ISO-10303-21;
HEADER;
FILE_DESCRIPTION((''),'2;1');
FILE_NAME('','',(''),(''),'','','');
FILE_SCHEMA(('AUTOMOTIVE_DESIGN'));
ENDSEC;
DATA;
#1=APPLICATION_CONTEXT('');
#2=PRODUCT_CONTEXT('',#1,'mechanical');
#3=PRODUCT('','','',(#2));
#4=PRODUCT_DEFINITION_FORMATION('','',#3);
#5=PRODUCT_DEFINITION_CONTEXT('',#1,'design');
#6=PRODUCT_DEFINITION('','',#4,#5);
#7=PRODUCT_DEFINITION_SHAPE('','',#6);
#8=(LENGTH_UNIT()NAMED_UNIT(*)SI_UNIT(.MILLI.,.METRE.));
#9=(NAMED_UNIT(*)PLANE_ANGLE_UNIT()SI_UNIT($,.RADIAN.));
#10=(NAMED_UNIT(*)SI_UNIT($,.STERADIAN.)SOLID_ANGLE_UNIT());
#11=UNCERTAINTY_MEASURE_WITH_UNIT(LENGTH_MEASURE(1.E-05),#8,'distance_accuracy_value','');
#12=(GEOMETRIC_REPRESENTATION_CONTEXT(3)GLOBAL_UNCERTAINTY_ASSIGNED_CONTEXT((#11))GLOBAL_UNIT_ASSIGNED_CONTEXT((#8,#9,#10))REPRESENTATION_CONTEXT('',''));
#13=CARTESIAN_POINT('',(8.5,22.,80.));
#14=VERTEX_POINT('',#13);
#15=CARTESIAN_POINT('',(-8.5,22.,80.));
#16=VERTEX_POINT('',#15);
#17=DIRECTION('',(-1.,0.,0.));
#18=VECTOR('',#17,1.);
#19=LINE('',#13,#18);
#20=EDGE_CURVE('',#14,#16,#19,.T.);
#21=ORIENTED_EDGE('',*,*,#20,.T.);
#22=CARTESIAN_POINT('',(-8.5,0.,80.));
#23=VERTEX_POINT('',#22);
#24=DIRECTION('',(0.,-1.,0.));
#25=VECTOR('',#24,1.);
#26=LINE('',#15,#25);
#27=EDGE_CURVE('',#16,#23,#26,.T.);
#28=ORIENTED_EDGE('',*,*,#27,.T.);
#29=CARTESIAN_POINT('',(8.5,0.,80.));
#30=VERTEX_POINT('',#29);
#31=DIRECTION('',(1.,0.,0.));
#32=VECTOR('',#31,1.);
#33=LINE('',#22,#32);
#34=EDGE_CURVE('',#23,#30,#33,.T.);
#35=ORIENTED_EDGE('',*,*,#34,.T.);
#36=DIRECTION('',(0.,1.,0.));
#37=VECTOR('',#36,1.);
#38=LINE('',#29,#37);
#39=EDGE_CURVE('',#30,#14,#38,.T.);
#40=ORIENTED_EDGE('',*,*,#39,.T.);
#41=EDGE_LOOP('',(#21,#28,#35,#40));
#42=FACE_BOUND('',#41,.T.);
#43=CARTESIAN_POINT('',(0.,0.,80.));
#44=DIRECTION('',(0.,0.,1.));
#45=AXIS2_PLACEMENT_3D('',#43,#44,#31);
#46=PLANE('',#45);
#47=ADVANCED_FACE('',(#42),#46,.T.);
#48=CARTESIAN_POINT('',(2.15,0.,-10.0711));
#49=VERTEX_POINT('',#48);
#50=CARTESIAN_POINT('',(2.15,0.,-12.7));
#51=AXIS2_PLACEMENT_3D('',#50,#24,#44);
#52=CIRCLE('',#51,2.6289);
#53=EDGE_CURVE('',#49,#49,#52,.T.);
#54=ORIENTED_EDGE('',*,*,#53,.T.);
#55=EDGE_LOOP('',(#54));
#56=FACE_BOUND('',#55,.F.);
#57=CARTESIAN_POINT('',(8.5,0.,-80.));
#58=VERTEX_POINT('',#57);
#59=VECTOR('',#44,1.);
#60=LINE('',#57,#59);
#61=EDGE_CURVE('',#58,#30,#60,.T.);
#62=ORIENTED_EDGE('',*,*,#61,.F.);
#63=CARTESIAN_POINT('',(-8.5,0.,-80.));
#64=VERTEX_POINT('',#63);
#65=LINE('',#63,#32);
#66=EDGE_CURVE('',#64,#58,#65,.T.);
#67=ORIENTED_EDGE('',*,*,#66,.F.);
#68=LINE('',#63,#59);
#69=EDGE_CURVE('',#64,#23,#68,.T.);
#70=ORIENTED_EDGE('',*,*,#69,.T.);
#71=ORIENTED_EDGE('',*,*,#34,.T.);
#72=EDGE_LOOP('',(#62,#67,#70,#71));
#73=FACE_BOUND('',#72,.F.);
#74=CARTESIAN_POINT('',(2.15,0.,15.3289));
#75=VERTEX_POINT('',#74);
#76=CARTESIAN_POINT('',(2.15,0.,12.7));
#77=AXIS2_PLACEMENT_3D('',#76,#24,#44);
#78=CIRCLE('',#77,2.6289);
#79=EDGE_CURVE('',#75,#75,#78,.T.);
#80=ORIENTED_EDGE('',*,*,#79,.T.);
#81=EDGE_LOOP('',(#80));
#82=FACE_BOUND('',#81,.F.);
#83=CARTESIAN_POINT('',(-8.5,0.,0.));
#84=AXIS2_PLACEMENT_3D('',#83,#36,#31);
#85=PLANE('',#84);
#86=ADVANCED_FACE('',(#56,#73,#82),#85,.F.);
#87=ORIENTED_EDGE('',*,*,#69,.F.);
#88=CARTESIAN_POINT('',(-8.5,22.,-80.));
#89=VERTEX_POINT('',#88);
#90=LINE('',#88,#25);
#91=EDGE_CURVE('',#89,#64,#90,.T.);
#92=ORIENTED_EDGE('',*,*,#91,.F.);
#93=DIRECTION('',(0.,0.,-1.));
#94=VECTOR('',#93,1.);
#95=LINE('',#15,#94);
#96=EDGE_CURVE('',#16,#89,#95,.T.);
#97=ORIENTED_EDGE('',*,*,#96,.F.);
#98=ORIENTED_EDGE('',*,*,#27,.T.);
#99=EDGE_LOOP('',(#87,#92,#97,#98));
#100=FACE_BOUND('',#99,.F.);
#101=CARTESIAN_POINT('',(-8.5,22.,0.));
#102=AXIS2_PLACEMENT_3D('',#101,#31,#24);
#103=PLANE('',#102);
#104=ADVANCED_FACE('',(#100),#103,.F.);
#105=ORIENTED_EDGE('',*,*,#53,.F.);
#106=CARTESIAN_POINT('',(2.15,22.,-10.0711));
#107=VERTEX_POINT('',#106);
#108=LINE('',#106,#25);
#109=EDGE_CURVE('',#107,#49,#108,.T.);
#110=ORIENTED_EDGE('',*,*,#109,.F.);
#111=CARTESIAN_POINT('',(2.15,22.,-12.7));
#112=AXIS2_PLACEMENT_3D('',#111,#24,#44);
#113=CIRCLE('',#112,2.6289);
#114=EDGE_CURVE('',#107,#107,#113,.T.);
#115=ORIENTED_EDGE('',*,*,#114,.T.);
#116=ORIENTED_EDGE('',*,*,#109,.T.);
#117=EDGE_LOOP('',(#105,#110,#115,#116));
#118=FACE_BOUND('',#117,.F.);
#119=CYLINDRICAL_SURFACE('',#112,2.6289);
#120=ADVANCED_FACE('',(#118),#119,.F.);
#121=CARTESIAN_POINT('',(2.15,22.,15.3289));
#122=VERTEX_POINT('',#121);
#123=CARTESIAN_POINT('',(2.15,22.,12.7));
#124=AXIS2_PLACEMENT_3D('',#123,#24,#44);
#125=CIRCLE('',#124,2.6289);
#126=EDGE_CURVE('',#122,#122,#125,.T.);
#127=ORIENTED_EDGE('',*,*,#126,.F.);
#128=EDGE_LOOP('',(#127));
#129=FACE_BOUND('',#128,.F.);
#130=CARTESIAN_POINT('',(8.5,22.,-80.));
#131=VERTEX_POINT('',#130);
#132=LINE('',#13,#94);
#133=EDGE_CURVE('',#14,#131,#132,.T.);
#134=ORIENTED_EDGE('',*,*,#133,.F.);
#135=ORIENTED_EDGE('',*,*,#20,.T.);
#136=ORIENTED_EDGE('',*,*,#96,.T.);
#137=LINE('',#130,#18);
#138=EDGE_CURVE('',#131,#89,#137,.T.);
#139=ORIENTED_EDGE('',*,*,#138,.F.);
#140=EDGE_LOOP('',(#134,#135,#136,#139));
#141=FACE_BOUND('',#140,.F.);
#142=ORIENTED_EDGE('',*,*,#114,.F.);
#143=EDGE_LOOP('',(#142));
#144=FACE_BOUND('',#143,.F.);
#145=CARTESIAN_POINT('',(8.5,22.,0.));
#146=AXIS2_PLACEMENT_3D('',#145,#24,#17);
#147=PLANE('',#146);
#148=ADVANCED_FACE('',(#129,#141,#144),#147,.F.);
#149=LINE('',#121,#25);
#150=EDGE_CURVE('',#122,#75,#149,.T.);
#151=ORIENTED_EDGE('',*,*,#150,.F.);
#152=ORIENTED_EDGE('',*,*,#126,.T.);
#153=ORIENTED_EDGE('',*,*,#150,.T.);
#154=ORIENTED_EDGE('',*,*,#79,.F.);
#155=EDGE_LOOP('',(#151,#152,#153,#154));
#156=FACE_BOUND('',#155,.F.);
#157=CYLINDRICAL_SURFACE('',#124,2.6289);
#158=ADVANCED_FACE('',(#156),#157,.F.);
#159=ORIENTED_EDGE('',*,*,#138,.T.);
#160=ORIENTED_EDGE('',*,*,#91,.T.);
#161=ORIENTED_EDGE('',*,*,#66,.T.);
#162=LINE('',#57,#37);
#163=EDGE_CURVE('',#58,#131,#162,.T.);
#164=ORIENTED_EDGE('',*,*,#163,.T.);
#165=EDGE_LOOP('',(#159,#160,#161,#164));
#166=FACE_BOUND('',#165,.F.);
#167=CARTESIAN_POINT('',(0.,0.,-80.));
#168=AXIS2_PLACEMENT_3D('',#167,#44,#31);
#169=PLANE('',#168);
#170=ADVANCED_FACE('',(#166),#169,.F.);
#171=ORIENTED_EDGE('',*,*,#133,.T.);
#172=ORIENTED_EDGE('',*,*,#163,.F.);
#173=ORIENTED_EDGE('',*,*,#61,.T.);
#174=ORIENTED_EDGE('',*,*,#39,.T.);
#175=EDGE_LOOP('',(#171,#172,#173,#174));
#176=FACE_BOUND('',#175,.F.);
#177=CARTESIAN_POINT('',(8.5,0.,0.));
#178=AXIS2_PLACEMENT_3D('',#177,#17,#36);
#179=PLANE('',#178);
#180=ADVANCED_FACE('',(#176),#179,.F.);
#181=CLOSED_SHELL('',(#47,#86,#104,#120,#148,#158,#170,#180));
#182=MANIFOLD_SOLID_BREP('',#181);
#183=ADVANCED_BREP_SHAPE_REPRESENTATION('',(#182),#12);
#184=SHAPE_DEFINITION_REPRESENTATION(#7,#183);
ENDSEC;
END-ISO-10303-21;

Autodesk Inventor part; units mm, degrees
ref_plane "YZ Plane" through (0, 0, 0) normal (1, 0, 0) x (0, 1, 0)
ref_plane "XZ Plane" through (0, 0, 0) normal (0, 1, 0) x (-1, 0, 0)
ref_plane "XY Plane" through (0, 0, 0) normal (0, 0, 1) x (1, 0, 0)
sketch "Sketch1" plane through (0, 0, 0) normal (0, 0, 1) x (1, 0, 0)
  line L0 (-8.5, 0) -> (8.5, 0)
  line L1 (8.5, 0) -> (8.5, 22)
  line L2 (8.5, 22) -> (-8.5, 22)
  line L3 (-8.5, 22) -> (-8.5, 0)
  point P0 (0, 0)
  point P1 (0, 0)
  dimension "d0" = 22
  dimension "d1" = 17
extrude "Extrusion1" add sketch "Sketch1" along normal mid plane 160
sketch "Sketch2" plane through (-8.5, 22, -80) normal (0, 1, 0) x (1, 0, 0)
  line L0 (17, 0) -> (17, -160) projected
  line L1 (10.65, -92.7) -> (10.65, -80)
  point P0 (17, -80)
  dimension "d4" = 6.35
  dimension "d16" = 12.7
hole "Hole1" at (2.15, 22, 12.7) direction (0, -1, 0) diameter 5.2578 end through all thread size "1/4-20 UNC" class "2B" standard "ANSI Unified Screw Threads"
pattern_linear "Rectangular Pattern1" count 2 spacing 25.4 along (0, 0, -1) of "Hole1"
properties part number "PWTR-0041" material "Stainless Steel, 303"
